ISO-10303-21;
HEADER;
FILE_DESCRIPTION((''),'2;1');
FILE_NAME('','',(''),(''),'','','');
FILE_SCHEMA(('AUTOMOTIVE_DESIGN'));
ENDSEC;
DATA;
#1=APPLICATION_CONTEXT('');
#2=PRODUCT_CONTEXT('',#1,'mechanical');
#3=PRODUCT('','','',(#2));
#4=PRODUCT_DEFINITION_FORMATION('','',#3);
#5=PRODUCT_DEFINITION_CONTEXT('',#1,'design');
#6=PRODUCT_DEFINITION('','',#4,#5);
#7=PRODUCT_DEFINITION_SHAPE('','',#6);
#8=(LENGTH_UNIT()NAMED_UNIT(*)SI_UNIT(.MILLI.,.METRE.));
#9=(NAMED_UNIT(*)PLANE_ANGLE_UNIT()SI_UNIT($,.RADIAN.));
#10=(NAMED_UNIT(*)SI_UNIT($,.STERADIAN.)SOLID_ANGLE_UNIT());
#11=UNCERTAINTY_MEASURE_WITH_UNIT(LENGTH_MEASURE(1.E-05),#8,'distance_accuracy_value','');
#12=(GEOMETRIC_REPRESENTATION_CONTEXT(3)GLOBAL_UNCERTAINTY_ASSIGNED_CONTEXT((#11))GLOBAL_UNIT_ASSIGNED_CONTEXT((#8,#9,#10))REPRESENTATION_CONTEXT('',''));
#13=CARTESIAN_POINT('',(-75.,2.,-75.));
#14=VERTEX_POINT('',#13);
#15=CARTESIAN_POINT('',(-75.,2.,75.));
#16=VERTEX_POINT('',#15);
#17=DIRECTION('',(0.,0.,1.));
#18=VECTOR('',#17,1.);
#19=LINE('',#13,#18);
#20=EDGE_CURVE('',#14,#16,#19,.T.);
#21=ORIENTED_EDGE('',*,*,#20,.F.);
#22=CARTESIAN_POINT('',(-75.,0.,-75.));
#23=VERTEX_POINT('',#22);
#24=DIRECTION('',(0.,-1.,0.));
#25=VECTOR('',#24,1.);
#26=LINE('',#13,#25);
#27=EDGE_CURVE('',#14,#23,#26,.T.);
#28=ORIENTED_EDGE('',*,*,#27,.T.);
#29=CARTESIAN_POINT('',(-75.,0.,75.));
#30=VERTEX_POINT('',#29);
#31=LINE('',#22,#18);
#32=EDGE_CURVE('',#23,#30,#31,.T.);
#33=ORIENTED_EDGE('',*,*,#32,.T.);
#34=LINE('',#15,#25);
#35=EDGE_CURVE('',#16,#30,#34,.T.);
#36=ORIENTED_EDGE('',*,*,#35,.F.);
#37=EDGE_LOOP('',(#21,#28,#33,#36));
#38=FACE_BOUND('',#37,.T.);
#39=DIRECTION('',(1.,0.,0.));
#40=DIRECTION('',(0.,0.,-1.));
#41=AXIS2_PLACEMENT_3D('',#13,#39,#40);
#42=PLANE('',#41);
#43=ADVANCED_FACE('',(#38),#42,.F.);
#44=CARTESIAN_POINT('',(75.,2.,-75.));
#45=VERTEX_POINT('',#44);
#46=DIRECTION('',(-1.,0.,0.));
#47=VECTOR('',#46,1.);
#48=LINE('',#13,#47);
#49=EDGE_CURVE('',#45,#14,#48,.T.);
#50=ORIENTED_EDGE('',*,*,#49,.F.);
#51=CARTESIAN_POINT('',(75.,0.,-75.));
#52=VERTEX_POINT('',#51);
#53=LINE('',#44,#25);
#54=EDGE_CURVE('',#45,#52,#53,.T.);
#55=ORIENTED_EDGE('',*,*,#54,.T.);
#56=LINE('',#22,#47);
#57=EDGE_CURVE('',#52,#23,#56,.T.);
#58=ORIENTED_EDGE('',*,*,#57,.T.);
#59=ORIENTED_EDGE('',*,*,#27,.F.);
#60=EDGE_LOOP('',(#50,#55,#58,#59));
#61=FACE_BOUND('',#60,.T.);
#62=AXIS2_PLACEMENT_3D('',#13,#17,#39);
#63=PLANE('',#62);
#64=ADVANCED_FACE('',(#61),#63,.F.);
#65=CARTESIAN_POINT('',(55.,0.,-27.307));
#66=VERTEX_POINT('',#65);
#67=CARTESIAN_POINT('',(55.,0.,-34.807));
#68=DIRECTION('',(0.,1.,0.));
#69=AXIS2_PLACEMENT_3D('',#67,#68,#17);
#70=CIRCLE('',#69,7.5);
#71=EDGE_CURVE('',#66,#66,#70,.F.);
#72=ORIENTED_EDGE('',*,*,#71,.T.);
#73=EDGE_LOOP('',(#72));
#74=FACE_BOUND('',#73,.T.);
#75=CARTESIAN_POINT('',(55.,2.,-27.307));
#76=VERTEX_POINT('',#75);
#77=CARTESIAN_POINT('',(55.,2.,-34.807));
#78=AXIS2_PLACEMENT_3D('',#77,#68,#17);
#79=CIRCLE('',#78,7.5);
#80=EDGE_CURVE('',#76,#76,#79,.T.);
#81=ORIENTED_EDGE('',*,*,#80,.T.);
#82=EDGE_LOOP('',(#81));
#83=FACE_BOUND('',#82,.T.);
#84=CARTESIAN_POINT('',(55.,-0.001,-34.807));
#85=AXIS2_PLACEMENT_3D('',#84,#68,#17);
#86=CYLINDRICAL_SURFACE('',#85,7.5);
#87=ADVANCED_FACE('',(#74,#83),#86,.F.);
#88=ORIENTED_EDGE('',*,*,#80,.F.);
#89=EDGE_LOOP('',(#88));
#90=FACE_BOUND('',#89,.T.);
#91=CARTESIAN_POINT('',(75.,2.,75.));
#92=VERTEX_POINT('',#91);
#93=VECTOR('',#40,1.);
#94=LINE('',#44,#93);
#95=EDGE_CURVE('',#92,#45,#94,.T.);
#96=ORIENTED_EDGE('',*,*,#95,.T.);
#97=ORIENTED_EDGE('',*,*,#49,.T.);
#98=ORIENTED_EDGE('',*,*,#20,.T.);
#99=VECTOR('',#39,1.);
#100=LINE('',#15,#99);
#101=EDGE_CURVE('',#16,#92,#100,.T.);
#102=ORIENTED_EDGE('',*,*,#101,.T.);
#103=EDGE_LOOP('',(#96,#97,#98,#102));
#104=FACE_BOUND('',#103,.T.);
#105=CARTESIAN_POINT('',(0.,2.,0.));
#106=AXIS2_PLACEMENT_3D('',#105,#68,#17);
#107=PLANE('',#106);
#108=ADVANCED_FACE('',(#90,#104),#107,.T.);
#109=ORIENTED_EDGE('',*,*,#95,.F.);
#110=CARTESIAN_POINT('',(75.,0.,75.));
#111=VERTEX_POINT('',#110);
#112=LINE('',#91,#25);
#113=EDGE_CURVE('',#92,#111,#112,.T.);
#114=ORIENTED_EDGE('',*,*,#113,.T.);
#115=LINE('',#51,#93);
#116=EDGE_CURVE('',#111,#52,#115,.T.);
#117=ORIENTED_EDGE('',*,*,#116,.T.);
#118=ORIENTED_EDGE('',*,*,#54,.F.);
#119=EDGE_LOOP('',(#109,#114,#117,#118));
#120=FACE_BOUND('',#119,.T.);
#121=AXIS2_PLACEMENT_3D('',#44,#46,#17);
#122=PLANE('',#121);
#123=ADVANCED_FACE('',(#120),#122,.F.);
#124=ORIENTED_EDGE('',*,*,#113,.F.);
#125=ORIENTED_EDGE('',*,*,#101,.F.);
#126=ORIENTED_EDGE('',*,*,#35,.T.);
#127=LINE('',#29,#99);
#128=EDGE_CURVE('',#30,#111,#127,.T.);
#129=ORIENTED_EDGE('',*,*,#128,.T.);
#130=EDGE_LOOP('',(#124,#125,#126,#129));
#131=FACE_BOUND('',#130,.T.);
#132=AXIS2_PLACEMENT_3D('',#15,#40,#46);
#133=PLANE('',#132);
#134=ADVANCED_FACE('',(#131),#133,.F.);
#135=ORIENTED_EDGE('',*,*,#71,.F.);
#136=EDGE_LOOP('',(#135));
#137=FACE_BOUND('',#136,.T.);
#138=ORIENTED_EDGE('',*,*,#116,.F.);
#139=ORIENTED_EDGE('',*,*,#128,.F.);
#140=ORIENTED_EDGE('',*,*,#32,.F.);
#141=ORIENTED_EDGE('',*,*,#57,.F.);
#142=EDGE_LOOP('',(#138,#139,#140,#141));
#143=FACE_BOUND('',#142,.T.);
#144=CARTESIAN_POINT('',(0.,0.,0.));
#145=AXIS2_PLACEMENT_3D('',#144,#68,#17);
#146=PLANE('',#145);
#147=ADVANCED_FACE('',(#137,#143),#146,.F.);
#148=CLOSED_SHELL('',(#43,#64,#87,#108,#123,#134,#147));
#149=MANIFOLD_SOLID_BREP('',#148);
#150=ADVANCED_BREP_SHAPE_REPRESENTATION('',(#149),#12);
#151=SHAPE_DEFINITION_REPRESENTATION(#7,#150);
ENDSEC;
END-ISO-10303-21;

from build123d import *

# Parameters (mm, degrees)
SKETCH1_W           = 150
SKETCH1_H           = 150
BOSS_EXTRUDE1_DEPTH = 2
CUT_EXTRUDE1_REACH  = 4
SKETCH5_R           = 7.5


with BuildPart() as part:
    # Sketch1 → Boss-Extrude1 (new body)
    with BuildSketch(Plane(origin=(0, 0, 0), x_dir=(1, 0, 0), z_dir=(0, 1, 0))):
        Rectangle(SKETCH1_W, SKETCH1_H)
    extrude(amount=BOSS_EXTRUDE1_DEPTH)

    # Sketch5 → Cut-Extrude1 (cut, up to next)
    with BuildSketch(Plane(origin=(0, 2, 0), x_dir=(1, 0, 0), z_dir=(0, 1, 0)), mode=Mode.PRIVATE) as cut_extrude1_sk1:
        with Locations((55, 34.807)):
            Circle(SKETCH5_R)
    cut_extrude1_tool1 = extrude(cut_extrude1_sk1.sketch, amount=-CUT_EXTRUDE1_REACH, mode=Mode.PRIVATE) & part.part
    add(cut_extrude1_tool1.solids().sort_by_distance((55, 2, -34.807))[0], mode=Mode.SUBTRACT)


solid = part.part
